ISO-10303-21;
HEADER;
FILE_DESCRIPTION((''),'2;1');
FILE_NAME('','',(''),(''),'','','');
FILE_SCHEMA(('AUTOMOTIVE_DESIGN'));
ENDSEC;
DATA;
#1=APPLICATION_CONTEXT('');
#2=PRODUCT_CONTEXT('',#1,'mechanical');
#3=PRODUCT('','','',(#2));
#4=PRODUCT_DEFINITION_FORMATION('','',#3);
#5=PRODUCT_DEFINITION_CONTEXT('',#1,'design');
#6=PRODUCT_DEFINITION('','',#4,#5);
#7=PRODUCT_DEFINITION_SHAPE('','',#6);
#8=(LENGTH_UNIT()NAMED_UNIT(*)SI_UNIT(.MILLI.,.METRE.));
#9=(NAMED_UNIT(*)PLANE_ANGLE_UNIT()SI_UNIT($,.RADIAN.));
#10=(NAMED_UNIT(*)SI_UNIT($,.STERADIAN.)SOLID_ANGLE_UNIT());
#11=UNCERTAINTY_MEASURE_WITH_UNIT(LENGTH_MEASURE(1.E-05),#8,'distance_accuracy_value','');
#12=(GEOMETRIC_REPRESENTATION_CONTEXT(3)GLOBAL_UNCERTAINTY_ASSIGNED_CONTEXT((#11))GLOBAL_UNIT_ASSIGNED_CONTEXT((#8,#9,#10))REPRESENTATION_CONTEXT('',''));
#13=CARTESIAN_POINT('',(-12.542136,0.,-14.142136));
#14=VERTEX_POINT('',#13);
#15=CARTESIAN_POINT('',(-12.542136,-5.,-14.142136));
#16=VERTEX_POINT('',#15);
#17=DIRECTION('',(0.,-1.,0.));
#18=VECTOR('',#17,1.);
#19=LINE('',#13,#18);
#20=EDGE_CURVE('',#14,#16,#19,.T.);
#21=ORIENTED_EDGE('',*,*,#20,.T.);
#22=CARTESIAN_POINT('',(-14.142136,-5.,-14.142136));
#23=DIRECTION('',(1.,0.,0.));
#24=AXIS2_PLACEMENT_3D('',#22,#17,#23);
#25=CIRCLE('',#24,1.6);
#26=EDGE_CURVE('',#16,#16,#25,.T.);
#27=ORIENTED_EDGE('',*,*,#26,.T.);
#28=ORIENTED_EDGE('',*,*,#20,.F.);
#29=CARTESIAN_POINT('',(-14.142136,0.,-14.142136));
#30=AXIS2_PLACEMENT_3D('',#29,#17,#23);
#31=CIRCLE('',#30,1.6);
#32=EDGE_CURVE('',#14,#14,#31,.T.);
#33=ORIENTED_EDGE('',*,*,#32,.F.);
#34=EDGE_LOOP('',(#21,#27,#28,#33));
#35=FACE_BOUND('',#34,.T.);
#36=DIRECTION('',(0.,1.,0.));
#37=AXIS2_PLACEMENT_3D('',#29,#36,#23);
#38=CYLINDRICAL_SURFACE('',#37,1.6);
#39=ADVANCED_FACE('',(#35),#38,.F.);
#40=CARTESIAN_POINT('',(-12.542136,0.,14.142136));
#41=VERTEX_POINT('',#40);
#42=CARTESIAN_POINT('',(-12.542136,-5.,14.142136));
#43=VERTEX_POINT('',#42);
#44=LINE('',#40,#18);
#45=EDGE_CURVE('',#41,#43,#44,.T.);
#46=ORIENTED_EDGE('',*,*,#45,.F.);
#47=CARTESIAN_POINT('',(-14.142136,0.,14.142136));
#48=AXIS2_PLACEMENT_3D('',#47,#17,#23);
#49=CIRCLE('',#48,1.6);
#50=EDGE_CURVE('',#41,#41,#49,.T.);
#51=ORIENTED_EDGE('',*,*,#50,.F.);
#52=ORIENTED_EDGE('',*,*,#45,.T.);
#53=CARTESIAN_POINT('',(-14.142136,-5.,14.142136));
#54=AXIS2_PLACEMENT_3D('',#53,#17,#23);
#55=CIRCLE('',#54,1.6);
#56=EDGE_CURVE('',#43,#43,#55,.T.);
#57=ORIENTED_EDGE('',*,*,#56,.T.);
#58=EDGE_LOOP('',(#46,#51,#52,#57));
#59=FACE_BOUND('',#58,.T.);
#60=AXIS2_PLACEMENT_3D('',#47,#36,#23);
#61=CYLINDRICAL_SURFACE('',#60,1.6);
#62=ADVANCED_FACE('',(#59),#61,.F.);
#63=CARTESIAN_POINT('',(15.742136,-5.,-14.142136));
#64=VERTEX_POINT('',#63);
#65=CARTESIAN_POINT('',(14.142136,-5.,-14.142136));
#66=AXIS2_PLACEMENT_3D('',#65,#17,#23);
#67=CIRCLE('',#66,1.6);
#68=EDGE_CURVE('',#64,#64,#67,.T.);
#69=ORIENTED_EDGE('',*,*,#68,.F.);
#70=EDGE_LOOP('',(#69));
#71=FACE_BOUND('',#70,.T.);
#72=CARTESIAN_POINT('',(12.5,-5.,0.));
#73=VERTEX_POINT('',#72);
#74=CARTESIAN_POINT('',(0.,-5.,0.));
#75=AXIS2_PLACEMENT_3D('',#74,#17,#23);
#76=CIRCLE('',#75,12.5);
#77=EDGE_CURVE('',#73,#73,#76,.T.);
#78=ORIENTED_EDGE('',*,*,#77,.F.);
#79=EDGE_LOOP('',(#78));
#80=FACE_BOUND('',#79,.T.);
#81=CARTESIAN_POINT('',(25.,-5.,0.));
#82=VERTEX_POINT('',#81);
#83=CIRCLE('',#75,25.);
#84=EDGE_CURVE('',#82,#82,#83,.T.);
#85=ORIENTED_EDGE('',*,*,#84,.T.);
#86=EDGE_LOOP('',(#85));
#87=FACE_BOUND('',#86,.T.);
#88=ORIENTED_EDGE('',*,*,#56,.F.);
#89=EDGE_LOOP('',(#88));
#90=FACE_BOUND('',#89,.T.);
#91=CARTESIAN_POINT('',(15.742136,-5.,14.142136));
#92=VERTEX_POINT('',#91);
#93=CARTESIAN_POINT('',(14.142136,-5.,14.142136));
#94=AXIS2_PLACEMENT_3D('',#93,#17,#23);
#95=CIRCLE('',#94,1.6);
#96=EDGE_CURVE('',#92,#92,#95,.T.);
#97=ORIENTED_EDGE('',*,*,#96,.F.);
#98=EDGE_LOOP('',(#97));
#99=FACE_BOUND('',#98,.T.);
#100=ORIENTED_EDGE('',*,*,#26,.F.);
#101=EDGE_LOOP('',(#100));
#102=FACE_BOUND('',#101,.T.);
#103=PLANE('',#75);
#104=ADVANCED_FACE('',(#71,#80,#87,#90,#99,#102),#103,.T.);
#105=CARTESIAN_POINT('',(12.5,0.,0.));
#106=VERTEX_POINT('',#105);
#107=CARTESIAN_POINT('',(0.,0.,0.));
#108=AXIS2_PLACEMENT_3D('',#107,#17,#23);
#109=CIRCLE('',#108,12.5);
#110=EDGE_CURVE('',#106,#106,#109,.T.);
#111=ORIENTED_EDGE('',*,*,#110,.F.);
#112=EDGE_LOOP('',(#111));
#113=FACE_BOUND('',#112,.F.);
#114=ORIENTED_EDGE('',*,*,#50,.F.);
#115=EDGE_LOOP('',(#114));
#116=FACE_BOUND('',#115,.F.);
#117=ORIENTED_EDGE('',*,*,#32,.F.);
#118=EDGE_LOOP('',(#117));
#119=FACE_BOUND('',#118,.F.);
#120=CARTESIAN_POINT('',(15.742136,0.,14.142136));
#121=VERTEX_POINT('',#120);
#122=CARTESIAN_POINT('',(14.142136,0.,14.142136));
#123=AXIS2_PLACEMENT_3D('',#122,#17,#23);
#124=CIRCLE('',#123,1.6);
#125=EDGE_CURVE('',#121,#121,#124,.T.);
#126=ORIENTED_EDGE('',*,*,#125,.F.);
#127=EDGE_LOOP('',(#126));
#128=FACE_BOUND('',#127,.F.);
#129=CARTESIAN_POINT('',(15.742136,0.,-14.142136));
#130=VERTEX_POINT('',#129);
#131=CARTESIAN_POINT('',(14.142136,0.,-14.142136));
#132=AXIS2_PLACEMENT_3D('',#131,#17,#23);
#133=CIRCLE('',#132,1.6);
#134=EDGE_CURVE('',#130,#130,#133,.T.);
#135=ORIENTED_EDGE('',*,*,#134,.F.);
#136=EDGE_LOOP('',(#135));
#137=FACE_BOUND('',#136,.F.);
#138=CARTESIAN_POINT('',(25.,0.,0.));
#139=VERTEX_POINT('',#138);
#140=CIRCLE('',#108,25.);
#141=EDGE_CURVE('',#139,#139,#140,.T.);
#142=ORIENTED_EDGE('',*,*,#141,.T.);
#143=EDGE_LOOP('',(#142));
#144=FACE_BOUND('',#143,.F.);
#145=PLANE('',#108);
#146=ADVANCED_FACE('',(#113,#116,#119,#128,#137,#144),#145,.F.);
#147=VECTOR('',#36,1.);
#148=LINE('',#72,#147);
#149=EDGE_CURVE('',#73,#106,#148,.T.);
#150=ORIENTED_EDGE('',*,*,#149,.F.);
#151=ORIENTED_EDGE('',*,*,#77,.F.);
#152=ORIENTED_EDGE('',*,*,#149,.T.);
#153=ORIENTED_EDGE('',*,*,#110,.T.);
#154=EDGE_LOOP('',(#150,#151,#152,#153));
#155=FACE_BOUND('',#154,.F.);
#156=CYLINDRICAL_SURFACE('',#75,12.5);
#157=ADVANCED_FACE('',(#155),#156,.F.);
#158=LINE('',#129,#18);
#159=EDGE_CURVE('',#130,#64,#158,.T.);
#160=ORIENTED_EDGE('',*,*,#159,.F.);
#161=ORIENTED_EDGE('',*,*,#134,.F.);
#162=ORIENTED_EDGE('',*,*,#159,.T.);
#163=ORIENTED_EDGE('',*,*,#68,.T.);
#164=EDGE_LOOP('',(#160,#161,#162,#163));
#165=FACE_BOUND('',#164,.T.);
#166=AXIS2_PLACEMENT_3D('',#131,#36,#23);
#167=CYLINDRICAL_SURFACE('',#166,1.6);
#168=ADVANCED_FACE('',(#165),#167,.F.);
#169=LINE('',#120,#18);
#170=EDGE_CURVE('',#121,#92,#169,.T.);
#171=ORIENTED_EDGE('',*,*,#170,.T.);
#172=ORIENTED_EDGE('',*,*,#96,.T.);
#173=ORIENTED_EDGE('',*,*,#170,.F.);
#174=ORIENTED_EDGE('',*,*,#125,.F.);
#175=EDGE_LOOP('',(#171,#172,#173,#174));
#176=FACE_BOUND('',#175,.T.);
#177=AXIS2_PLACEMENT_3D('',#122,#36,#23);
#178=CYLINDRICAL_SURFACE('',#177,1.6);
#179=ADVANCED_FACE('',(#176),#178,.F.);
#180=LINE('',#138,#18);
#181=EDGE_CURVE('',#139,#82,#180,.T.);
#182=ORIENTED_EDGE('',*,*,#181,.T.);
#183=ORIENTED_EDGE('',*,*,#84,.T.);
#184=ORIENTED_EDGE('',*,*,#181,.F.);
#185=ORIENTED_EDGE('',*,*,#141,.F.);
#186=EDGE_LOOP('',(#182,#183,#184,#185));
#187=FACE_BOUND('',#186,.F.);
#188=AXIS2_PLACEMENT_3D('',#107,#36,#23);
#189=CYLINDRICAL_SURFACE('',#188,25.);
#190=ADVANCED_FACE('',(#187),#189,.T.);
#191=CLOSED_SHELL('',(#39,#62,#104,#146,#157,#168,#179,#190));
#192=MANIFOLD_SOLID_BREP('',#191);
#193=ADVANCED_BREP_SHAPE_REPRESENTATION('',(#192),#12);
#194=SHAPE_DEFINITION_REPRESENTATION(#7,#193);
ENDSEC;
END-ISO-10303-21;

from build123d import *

# Parameters (mm, degrees)
F0_R     = 25
F0_R_2   = 1.6
F1_DEPTH = 5
F2_R     = 12.5
F3_DEPTH = 51.2


with BuildPart() as f1:
    # F0 (on Front) → F1 (new body)
    with BuildSketch(Plane.XZ):
        Circle(F0_R)
        with Locations((-14.142136, -14.142136)):
            Circle(F0_R_2, mode=Mode.SUBTRACT)
        with Locations((14.142136, -14.142136)):
            Circle(F0_R_2, mode=Mode.SUBTRACT)
        with Locations((-14.142136, 14.142136)):
            Circle(F0_R_2, mode=Mode.SUBTRACT)
        with Locations((14.142136, 14.142136)):
            Circle(F0_R_2, mode=Mode.SUBTRACT)
    extrude(amount=F1_DEPTH)

    # F2 (on face) → F3 (cut)
    with BuildSketch(Plane.XZ.offset(5)):
        Circle(F2_R)
    extrude(amount=-F3_DEPTH, mode=Mode.SUBTRACT)


solid = f1.part
